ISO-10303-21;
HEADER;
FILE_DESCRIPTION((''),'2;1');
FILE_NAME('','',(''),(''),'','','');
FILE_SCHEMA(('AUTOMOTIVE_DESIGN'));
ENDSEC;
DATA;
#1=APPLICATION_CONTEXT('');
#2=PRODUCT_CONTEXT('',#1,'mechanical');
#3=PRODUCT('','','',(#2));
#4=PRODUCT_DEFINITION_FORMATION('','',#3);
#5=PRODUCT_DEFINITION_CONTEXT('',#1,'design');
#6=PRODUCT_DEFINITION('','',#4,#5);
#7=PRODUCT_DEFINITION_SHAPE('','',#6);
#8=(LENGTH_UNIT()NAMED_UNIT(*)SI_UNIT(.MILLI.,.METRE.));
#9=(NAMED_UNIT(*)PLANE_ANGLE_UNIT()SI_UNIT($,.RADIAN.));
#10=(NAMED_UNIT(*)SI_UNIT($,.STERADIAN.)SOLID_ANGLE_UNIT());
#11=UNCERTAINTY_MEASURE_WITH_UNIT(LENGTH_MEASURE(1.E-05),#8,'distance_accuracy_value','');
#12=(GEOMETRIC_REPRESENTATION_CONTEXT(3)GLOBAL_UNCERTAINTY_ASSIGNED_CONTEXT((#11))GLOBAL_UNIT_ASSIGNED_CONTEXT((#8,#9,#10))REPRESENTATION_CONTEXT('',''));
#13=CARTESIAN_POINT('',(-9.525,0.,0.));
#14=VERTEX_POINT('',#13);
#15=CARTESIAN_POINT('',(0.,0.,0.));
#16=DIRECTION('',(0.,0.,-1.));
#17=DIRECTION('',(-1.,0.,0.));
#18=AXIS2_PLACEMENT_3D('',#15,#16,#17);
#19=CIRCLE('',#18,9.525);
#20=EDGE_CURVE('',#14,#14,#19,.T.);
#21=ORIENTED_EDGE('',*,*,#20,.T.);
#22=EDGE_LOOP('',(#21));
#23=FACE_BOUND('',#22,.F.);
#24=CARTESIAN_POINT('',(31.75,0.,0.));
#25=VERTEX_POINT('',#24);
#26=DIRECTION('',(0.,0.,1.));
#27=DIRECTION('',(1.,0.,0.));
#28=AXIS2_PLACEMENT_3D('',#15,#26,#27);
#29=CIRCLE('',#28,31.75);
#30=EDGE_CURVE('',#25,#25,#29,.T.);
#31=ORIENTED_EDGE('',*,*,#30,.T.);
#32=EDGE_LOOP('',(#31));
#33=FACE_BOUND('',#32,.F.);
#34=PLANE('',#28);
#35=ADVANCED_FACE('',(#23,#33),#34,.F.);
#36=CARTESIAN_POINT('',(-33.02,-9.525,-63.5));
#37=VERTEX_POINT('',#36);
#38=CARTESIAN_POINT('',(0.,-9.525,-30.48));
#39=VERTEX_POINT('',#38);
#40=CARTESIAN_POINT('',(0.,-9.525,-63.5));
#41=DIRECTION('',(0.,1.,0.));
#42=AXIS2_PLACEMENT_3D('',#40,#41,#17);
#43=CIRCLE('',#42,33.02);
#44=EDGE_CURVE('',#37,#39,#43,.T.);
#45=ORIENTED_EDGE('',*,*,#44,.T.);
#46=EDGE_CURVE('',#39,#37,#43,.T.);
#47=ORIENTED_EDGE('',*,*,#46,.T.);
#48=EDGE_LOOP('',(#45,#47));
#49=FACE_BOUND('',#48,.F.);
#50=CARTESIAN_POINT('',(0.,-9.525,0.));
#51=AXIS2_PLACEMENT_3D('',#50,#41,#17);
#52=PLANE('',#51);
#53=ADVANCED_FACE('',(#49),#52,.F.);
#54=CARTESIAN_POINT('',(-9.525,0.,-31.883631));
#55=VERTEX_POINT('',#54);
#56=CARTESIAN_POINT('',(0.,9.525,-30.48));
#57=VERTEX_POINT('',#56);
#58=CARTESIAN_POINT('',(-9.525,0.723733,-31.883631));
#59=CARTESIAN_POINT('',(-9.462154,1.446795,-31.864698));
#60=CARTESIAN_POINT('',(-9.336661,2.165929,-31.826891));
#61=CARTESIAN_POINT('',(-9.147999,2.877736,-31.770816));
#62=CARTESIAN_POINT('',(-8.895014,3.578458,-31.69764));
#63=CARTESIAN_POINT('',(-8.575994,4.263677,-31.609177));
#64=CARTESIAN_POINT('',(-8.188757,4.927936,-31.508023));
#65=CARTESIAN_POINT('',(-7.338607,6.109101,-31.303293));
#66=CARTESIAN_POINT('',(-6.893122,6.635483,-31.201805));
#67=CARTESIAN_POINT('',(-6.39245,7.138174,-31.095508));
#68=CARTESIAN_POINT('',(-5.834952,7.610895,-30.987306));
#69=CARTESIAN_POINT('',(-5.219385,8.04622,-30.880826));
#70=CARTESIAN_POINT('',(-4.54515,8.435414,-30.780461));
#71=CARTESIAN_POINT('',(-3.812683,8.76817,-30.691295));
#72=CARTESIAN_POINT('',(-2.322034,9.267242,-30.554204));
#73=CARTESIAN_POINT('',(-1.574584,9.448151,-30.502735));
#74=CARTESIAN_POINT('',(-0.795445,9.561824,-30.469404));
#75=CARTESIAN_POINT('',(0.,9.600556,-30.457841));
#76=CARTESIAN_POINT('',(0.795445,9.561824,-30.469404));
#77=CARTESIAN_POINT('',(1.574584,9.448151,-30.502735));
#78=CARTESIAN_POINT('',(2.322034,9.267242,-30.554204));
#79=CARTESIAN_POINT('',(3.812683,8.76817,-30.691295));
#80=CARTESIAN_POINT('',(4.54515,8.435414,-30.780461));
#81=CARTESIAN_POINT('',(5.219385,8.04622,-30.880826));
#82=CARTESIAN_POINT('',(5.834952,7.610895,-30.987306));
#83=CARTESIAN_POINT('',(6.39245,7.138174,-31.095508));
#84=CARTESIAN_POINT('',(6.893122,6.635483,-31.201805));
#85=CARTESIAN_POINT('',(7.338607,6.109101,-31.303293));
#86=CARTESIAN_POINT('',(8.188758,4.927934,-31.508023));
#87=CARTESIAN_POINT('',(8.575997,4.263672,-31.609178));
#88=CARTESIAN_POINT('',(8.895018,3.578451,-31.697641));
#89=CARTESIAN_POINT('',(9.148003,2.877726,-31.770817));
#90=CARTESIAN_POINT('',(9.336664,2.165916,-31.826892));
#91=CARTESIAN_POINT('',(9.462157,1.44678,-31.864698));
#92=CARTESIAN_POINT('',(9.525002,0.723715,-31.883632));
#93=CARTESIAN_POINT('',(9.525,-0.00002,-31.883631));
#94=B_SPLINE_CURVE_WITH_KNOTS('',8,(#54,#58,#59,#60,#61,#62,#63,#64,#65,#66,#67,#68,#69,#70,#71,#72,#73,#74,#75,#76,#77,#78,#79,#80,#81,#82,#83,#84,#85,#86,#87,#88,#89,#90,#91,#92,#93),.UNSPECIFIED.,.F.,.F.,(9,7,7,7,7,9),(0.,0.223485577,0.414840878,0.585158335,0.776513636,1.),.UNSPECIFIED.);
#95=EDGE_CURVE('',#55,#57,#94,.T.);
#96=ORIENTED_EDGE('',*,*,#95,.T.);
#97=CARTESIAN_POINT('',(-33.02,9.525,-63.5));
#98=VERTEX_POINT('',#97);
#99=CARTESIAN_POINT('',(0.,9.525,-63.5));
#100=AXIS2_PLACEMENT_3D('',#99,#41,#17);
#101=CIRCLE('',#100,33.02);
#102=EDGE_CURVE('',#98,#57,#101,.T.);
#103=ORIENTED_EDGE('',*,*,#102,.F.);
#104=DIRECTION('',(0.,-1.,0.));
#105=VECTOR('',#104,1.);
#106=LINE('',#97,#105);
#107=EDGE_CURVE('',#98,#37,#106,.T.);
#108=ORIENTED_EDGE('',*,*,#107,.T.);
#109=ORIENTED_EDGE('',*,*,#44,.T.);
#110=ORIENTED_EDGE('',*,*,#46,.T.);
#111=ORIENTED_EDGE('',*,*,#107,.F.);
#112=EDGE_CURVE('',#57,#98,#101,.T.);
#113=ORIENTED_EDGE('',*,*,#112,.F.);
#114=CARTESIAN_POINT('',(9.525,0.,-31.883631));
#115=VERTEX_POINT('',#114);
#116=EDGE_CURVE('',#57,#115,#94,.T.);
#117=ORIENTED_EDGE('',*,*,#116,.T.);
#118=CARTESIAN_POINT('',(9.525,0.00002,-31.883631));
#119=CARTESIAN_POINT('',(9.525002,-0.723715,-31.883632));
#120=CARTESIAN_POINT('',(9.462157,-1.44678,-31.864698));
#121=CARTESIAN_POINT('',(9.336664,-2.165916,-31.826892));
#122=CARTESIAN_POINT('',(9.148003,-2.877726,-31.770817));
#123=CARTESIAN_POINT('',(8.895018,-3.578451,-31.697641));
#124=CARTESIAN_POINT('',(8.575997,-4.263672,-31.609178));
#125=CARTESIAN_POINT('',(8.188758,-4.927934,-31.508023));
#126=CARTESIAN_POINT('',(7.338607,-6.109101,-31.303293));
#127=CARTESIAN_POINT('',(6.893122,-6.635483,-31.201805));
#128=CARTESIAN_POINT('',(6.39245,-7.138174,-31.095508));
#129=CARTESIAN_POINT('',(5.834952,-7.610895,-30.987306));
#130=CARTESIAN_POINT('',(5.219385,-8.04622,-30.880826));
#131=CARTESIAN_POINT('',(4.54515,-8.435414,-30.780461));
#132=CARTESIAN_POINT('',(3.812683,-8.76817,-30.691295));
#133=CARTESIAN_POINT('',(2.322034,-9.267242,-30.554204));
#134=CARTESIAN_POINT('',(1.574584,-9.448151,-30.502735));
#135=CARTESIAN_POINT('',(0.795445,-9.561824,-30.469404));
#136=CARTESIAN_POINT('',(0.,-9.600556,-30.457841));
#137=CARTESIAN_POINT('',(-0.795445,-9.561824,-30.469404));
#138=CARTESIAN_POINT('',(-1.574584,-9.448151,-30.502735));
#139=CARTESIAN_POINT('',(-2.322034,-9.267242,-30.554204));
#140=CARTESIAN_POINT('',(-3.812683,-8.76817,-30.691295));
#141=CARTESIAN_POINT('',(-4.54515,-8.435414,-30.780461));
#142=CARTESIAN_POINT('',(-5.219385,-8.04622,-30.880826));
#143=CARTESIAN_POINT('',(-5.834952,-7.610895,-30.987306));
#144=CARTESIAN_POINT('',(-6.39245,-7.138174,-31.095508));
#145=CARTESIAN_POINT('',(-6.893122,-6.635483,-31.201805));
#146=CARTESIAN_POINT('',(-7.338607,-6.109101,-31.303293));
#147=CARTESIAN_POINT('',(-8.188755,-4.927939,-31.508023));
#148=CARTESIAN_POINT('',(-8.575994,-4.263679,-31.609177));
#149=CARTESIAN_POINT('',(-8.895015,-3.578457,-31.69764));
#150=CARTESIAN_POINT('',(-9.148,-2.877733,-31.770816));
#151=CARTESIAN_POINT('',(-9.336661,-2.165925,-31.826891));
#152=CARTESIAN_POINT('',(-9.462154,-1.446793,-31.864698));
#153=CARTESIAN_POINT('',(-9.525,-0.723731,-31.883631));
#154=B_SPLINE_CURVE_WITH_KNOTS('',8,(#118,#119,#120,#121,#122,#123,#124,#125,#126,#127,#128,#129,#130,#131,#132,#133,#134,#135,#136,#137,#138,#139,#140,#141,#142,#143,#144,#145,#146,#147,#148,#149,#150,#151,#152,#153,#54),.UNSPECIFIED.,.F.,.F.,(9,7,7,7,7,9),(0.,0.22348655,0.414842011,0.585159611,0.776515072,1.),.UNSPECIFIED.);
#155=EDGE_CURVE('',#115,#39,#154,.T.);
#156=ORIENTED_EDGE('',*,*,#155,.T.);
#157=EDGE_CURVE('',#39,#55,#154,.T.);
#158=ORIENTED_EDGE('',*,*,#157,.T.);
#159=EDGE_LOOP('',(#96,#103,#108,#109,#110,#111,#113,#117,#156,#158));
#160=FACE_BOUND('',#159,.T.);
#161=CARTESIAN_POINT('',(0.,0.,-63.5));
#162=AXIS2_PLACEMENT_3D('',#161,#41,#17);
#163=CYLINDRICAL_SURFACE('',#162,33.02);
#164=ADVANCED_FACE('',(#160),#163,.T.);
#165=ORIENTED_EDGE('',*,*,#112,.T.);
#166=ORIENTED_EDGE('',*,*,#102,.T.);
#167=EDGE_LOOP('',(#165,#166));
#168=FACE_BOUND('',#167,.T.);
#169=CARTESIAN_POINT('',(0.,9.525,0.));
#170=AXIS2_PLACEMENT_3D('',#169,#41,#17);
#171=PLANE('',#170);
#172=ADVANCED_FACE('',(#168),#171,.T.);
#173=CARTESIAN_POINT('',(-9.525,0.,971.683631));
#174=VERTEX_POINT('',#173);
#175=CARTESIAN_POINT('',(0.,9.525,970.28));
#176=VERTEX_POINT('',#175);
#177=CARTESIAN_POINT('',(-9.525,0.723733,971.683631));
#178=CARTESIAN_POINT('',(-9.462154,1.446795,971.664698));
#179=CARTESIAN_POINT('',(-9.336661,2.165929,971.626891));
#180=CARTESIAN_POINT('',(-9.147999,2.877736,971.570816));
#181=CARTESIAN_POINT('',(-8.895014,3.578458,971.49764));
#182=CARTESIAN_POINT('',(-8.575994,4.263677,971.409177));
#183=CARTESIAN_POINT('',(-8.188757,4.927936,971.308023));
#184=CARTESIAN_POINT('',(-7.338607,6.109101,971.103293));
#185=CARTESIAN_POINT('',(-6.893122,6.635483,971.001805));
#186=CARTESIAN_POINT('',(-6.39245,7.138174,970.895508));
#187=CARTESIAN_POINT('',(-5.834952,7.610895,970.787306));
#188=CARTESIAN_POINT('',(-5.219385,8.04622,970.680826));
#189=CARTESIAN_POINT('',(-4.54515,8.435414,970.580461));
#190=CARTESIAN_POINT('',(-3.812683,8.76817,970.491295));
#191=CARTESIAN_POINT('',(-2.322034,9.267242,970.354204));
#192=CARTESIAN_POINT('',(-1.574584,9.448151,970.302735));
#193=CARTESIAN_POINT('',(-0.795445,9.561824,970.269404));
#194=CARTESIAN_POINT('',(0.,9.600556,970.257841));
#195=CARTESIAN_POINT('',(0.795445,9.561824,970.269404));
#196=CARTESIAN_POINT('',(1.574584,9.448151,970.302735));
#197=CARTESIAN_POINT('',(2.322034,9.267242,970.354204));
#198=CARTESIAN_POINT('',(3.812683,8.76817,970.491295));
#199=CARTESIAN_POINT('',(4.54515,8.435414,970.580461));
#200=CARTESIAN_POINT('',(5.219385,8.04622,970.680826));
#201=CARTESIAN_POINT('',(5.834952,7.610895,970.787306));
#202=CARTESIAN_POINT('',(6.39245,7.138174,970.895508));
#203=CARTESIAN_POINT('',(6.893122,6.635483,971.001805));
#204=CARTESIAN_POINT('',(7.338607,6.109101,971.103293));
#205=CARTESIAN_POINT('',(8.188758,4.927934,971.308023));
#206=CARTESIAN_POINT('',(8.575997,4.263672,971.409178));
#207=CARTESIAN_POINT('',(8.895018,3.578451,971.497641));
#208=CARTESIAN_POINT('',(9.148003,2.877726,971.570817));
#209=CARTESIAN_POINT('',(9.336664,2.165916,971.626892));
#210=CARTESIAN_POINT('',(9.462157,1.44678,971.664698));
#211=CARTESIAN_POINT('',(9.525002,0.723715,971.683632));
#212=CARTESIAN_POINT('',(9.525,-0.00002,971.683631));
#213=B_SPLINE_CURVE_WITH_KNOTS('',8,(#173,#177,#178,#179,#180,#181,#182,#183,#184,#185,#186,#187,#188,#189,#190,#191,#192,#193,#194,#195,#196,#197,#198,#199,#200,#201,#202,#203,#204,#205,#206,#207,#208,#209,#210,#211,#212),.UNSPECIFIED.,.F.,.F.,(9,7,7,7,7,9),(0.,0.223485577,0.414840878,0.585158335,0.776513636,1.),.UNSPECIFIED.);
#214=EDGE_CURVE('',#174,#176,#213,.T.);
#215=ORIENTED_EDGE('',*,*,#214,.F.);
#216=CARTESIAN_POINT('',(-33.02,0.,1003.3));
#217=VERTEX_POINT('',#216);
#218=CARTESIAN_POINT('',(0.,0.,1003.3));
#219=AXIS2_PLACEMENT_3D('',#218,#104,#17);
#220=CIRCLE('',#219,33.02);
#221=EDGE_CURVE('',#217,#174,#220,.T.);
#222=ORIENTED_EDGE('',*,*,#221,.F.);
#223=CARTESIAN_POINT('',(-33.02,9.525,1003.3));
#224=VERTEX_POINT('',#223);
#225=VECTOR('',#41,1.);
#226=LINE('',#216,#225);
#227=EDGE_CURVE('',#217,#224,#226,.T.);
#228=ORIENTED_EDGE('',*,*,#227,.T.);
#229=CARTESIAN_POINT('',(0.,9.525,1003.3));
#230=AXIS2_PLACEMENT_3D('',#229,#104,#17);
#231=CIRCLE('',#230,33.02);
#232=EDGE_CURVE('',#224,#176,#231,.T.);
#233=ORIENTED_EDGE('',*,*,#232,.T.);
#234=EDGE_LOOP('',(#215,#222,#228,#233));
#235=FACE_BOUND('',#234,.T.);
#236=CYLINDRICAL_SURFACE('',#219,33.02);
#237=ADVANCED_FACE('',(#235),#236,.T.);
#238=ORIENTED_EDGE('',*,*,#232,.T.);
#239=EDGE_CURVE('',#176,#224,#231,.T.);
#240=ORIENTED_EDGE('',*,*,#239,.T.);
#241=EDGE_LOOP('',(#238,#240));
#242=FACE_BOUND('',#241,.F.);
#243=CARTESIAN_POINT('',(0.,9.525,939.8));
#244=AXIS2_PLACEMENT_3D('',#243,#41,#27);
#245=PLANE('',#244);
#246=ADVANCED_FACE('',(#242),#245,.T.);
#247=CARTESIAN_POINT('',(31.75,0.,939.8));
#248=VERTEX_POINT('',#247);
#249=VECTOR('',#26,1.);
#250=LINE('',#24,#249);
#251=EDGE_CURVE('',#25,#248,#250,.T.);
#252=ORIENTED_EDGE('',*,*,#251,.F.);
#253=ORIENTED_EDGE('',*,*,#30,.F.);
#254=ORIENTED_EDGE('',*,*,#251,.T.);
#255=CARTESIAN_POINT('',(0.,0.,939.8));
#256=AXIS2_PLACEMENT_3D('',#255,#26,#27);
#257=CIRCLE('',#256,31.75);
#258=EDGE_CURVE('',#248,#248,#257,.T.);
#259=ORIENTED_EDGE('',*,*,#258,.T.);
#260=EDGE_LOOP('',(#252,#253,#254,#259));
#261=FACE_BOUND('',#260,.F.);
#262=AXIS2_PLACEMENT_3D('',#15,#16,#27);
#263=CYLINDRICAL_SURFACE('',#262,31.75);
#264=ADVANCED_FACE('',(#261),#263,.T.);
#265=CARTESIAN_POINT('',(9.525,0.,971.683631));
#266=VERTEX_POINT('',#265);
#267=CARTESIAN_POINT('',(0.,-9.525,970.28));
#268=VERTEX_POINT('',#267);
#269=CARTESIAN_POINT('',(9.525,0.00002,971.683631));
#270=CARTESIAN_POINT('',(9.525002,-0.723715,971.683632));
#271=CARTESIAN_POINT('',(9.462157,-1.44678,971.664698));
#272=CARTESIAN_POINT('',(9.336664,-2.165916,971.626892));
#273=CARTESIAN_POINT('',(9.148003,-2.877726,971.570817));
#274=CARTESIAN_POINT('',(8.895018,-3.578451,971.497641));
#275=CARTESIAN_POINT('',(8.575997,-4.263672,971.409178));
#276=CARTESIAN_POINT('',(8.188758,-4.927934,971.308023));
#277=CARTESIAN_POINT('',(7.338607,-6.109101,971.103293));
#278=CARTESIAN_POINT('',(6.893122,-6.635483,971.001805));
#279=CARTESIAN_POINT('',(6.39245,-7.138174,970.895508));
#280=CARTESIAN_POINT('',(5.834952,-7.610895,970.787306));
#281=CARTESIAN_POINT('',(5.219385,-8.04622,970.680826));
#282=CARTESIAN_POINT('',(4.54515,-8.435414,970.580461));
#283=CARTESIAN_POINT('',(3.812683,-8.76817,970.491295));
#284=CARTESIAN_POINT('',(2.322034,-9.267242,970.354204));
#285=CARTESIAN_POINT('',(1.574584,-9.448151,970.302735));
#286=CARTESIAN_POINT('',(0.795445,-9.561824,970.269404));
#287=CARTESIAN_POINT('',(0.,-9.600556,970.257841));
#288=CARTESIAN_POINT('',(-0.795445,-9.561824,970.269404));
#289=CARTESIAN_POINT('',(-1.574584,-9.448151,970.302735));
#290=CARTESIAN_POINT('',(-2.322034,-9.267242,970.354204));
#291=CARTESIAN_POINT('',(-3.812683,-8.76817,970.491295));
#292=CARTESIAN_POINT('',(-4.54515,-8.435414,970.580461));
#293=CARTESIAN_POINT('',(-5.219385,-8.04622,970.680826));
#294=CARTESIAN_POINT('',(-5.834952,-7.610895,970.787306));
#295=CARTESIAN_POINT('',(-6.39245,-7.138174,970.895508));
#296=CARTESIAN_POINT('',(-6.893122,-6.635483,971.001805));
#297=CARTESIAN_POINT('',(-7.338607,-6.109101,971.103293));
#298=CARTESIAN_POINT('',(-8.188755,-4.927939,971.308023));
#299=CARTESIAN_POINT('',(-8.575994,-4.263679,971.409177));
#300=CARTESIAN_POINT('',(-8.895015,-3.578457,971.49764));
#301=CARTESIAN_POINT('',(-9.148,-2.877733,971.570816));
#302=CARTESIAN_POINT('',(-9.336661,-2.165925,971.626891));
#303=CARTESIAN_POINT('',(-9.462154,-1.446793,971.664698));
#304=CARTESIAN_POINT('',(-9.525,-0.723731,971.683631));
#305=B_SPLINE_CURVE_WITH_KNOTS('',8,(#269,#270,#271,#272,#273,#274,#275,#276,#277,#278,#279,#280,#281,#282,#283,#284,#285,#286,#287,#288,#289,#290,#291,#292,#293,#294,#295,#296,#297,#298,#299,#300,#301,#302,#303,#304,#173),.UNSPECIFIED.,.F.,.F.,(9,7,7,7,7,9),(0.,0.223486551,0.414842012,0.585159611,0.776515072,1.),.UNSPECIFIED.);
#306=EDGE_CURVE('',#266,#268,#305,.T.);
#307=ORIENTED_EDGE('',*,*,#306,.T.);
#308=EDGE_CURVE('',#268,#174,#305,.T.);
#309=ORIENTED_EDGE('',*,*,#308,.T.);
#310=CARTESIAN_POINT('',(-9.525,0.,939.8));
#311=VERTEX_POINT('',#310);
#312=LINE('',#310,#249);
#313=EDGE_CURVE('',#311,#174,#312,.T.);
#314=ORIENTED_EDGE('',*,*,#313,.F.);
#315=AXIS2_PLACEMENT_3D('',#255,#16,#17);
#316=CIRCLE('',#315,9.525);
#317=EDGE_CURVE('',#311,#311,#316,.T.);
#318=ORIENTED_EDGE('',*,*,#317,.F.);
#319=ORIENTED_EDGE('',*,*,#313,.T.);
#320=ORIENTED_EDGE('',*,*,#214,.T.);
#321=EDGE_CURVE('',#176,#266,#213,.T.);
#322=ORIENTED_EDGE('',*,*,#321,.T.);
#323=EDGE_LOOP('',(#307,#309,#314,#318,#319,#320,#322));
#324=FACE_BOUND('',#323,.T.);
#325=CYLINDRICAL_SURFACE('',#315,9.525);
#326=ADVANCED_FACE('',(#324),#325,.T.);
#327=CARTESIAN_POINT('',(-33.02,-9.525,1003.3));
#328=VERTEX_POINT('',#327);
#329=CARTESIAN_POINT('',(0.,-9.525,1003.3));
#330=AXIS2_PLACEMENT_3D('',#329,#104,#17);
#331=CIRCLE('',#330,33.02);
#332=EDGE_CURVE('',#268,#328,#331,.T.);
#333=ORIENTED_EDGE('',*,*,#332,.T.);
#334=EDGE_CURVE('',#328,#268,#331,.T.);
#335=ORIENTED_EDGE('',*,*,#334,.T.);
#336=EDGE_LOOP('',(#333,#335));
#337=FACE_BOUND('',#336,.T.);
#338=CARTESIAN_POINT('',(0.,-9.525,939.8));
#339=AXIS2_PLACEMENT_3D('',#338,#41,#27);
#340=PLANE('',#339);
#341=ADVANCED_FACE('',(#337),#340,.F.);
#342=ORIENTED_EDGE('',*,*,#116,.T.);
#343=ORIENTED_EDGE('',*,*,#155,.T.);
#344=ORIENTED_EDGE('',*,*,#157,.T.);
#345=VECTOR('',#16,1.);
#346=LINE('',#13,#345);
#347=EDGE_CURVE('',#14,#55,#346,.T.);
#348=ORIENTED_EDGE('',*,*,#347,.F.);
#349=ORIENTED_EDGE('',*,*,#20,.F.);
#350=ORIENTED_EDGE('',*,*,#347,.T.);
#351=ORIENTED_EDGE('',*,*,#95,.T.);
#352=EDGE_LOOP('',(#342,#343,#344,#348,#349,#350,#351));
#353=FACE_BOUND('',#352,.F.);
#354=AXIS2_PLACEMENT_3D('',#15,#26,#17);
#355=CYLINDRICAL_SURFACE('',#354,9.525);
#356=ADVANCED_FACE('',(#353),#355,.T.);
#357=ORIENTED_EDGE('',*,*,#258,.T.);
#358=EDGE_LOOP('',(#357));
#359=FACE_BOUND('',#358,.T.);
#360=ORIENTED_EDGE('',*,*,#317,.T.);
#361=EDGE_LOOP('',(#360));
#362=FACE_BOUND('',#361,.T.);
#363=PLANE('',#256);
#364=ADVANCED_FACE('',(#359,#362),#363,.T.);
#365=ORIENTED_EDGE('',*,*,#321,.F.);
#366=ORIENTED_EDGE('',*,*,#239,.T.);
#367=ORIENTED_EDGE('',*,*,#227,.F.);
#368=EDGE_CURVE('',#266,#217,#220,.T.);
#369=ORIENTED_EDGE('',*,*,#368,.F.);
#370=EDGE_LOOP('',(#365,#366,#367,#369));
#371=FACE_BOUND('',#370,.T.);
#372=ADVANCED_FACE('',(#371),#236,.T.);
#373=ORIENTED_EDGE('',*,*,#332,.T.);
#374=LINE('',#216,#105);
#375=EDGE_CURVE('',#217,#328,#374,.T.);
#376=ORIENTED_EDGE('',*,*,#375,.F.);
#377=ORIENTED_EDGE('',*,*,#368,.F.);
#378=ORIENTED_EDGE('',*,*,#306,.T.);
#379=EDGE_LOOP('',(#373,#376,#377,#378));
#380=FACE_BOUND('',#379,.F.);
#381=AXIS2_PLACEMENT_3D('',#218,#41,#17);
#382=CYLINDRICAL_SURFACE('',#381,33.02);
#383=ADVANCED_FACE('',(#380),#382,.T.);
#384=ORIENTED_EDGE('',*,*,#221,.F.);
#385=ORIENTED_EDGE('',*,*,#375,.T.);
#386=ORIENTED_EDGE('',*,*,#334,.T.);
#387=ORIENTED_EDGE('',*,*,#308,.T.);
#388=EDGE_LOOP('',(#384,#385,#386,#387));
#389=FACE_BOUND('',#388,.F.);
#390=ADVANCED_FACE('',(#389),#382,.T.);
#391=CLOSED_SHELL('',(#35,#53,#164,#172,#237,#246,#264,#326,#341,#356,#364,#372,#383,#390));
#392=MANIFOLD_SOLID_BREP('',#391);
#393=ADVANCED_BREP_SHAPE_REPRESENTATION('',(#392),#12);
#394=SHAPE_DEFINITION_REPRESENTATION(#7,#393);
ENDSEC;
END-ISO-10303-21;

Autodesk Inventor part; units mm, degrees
ref_plane "YZ Plane" through (0, 0, 0) normal (1, 0, 0) x (0, 1, 0)
ref_plane "XZ Plane" through (0, 0, 0) normal (0, 1, 0) x (-1, 0, 0)
sketch "Sketch1" plane through (0, 0, 0) normal (0, 0, 1) x (1, 0, 0)
  circle A0 centre (0, 0) radius 31.75
  dimension "d0" = 63.5
extrude "Extrusion1" add sketch "Sketch1" along normal blind 939.8
sketch "Sketch2" plane through (0, 0, 0) normal (0, 0, -1) x (-1, 0, 0)
  circle A0 centre (0, 0) radius 9.525
  dimension "d3" = 19.05
extrude "Extrusion2" add sketch "Sketch2" along normal blind 50.8
sketch "Sketch3" plane through (0, 0, 0) normal (0, 1, 0) x (-1, 0, 0)
  circle A0 centre (0, -63.5) radius 33.02
  line L0 (31.75, 0) -> (-31.75, 0) construction
  point P0 (0, 0)
  dimension "d6" = 66.04
  dimension "d7" = 63.5
extrude "Extrusion3" add sketch "Sketch3" along normal mid plane 19.05
ref_plane "Work Plane1" through (0, 0, 469.9) normal (0, 0, 1) x (1, 0, 0)
mirror "Mirror1" about plane through (0, 0, 469.9) normal (0, 0, 1) of "Extrusion2", "Extrusion3"
properties part number "transmission_box_mount_shaft"
